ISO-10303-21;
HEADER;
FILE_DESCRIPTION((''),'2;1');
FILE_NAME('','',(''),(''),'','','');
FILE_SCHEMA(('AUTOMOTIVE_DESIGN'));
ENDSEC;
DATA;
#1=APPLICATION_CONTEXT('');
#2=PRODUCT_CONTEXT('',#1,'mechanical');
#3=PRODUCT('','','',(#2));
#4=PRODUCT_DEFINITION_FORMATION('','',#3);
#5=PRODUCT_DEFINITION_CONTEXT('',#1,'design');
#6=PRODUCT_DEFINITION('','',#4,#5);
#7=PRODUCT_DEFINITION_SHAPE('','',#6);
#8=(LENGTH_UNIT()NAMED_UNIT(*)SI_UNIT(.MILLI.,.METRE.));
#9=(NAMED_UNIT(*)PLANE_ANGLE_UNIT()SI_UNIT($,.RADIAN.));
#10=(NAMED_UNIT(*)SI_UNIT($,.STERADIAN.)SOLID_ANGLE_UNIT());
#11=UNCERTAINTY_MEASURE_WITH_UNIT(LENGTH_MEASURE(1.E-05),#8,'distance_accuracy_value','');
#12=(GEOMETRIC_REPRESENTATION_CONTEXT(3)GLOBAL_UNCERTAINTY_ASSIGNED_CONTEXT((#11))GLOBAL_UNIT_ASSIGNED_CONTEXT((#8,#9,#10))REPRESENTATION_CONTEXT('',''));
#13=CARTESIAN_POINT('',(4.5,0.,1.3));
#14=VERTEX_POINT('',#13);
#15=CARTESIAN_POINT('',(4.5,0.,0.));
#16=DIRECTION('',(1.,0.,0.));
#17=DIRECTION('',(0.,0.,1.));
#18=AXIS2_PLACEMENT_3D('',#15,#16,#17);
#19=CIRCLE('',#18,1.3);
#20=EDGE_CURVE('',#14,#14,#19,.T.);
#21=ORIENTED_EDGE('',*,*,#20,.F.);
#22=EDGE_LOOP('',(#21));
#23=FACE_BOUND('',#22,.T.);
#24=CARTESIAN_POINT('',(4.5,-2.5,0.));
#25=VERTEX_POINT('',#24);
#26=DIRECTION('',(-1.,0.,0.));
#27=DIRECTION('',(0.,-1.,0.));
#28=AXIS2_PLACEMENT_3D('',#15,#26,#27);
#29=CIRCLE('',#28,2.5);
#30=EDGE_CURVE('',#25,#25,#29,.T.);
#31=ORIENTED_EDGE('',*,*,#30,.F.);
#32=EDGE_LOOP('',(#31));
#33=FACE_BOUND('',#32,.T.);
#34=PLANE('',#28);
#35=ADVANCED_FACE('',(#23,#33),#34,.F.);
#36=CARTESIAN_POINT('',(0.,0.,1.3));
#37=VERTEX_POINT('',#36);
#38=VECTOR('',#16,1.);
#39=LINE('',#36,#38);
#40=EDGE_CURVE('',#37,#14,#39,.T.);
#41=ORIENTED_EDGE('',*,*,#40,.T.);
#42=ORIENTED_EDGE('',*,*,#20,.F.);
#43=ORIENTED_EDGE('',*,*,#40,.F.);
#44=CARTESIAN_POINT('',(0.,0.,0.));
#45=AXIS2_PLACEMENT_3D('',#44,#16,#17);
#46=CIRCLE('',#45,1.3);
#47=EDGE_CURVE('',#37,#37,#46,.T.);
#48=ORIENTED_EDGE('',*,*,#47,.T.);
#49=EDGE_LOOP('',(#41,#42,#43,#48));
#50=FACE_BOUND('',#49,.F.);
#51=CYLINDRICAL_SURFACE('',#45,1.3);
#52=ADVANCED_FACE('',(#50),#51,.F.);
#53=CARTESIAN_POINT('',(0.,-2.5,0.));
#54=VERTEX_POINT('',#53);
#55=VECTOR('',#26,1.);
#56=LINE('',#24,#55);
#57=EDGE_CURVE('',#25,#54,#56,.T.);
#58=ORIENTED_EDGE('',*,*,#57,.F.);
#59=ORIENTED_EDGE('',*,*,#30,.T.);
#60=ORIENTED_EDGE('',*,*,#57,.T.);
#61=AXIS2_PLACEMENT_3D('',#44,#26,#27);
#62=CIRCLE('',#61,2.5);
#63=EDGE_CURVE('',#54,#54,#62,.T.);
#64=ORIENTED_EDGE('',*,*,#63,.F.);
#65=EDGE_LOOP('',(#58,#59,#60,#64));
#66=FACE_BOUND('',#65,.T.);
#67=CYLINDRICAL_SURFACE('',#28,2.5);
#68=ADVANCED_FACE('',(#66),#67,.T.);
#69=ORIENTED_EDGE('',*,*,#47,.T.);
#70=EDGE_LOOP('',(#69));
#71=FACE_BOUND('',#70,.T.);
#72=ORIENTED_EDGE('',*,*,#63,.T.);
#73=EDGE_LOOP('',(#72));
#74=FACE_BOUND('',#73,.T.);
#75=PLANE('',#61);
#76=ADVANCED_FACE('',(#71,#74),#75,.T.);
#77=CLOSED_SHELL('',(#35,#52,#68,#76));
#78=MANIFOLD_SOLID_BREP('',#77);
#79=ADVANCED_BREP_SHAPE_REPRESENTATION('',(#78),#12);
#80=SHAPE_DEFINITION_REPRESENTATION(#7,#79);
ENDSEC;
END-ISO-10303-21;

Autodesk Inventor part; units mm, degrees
ref_plane "YZ Plane" through (0, 0, 0) normal (1, 0, 0) x (0, 1, 0)
ref_plane "XZ Plane" through (0, 0, 0) normal (0, 1, 0) x (-1, 0, 0)
ref_plane "XY Plane" through (0, 0, 0) normal (0, 0, 1) x (1, 0, 0)
sketch "Sketch_1" plane through (0, 0, 0) normal (0, 0, 1) x (1, 0, 0)
  line L0 (0, 0) -> (4.5, 0)
  line L1 (4.5, 0) -> (4.5, -2.5)
  line L2 (4.5, -2.5) -> (0, -2.5)
  line L3 (0, -2.5) -> (0, 0)
  line L4 (0, 0) -> (4.5, 0)
revolve "Revolution1" add sketch "Sketch_1" angle 360 about axis through (0, 0, 0) along (-1, 0, 0)
sketch "Sketch2" plane through (0, 0, 0) normal (-1, 0, 0) x (0, 0, 1)
  point P0 (0, 0)
hole "Hole1" at (0, 0, 0) direction (1, 0, 0) diameter 2.6 depth 4.5
properties part number "FWSJJ-D5-V2_6-T4_5"
